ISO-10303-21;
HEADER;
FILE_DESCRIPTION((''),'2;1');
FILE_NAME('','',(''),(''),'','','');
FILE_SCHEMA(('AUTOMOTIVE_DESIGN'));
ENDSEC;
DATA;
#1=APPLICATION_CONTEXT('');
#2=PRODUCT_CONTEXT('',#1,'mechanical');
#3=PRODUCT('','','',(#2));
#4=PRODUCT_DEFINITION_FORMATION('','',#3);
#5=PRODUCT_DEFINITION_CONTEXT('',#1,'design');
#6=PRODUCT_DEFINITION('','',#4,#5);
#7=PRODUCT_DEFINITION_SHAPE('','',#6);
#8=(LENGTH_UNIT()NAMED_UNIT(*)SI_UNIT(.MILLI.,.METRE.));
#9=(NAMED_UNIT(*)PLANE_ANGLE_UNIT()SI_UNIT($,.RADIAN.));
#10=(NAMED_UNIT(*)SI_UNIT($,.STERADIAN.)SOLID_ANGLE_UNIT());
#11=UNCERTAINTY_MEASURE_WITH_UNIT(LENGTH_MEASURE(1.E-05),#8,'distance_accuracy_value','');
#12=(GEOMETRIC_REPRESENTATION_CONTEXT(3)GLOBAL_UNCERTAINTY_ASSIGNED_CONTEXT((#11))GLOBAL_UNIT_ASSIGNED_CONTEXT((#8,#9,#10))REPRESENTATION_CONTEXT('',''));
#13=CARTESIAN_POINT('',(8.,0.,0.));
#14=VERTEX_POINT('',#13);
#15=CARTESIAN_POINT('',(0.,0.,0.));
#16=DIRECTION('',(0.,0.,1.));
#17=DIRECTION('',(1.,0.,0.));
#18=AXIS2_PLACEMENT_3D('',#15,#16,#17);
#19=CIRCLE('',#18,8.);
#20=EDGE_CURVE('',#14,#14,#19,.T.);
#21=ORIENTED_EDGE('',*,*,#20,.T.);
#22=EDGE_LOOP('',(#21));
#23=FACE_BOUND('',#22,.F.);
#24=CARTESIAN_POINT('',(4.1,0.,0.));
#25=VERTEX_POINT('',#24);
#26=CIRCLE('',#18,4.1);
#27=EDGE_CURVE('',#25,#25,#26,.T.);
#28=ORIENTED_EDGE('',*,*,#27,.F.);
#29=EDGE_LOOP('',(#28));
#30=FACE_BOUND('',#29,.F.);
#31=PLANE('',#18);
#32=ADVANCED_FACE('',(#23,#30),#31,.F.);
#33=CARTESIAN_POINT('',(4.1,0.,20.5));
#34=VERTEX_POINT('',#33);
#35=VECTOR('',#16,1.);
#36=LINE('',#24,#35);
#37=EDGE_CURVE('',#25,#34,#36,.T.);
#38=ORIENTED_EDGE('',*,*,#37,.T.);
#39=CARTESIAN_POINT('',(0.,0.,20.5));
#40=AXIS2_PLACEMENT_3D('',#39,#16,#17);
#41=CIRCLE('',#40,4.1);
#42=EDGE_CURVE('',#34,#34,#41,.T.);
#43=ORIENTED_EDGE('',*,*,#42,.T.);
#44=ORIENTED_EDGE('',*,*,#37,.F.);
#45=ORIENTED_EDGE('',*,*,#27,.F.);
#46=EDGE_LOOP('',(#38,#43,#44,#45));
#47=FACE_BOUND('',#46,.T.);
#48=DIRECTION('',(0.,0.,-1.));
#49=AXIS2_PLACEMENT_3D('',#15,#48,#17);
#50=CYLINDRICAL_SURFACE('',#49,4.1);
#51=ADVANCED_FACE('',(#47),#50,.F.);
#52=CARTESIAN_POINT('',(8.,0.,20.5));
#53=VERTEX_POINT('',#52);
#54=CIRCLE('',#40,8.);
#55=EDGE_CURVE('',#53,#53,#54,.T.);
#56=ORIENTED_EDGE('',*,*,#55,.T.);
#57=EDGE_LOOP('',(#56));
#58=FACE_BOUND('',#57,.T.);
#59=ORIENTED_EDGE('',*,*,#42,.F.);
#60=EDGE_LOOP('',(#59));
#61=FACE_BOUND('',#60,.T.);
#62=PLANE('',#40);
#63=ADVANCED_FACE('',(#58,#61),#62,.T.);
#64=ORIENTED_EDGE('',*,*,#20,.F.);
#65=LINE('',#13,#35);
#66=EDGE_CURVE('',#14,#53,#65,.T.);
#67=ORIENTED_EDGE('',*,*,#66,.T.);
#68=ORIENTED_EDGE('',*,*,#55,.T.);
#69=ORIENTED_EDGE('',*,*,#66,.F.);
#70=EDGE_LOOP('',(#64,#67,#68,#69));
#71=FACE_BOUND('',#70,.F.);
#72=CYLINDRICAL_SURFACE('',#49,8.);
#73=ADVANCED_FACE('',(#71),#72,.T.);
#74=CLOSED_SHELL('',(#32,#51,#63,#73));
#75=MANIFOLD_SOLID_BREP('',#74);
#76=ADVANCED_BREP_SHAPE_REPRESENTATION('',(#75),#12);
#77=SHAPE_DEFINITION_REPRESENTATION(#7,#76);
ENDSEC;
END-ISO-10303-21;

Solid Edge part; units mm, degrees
sketch "Sketch1" plane through (0, 0, 0) normal (0, 0, 1) x (1, 0, 0)
  circle A0 centre (0, 0) radius 8
  circle A1 centre (0, 0) radius 4.1
extrude "Protrusion1" add sketch "Sketch1" along normal blind 20.5
